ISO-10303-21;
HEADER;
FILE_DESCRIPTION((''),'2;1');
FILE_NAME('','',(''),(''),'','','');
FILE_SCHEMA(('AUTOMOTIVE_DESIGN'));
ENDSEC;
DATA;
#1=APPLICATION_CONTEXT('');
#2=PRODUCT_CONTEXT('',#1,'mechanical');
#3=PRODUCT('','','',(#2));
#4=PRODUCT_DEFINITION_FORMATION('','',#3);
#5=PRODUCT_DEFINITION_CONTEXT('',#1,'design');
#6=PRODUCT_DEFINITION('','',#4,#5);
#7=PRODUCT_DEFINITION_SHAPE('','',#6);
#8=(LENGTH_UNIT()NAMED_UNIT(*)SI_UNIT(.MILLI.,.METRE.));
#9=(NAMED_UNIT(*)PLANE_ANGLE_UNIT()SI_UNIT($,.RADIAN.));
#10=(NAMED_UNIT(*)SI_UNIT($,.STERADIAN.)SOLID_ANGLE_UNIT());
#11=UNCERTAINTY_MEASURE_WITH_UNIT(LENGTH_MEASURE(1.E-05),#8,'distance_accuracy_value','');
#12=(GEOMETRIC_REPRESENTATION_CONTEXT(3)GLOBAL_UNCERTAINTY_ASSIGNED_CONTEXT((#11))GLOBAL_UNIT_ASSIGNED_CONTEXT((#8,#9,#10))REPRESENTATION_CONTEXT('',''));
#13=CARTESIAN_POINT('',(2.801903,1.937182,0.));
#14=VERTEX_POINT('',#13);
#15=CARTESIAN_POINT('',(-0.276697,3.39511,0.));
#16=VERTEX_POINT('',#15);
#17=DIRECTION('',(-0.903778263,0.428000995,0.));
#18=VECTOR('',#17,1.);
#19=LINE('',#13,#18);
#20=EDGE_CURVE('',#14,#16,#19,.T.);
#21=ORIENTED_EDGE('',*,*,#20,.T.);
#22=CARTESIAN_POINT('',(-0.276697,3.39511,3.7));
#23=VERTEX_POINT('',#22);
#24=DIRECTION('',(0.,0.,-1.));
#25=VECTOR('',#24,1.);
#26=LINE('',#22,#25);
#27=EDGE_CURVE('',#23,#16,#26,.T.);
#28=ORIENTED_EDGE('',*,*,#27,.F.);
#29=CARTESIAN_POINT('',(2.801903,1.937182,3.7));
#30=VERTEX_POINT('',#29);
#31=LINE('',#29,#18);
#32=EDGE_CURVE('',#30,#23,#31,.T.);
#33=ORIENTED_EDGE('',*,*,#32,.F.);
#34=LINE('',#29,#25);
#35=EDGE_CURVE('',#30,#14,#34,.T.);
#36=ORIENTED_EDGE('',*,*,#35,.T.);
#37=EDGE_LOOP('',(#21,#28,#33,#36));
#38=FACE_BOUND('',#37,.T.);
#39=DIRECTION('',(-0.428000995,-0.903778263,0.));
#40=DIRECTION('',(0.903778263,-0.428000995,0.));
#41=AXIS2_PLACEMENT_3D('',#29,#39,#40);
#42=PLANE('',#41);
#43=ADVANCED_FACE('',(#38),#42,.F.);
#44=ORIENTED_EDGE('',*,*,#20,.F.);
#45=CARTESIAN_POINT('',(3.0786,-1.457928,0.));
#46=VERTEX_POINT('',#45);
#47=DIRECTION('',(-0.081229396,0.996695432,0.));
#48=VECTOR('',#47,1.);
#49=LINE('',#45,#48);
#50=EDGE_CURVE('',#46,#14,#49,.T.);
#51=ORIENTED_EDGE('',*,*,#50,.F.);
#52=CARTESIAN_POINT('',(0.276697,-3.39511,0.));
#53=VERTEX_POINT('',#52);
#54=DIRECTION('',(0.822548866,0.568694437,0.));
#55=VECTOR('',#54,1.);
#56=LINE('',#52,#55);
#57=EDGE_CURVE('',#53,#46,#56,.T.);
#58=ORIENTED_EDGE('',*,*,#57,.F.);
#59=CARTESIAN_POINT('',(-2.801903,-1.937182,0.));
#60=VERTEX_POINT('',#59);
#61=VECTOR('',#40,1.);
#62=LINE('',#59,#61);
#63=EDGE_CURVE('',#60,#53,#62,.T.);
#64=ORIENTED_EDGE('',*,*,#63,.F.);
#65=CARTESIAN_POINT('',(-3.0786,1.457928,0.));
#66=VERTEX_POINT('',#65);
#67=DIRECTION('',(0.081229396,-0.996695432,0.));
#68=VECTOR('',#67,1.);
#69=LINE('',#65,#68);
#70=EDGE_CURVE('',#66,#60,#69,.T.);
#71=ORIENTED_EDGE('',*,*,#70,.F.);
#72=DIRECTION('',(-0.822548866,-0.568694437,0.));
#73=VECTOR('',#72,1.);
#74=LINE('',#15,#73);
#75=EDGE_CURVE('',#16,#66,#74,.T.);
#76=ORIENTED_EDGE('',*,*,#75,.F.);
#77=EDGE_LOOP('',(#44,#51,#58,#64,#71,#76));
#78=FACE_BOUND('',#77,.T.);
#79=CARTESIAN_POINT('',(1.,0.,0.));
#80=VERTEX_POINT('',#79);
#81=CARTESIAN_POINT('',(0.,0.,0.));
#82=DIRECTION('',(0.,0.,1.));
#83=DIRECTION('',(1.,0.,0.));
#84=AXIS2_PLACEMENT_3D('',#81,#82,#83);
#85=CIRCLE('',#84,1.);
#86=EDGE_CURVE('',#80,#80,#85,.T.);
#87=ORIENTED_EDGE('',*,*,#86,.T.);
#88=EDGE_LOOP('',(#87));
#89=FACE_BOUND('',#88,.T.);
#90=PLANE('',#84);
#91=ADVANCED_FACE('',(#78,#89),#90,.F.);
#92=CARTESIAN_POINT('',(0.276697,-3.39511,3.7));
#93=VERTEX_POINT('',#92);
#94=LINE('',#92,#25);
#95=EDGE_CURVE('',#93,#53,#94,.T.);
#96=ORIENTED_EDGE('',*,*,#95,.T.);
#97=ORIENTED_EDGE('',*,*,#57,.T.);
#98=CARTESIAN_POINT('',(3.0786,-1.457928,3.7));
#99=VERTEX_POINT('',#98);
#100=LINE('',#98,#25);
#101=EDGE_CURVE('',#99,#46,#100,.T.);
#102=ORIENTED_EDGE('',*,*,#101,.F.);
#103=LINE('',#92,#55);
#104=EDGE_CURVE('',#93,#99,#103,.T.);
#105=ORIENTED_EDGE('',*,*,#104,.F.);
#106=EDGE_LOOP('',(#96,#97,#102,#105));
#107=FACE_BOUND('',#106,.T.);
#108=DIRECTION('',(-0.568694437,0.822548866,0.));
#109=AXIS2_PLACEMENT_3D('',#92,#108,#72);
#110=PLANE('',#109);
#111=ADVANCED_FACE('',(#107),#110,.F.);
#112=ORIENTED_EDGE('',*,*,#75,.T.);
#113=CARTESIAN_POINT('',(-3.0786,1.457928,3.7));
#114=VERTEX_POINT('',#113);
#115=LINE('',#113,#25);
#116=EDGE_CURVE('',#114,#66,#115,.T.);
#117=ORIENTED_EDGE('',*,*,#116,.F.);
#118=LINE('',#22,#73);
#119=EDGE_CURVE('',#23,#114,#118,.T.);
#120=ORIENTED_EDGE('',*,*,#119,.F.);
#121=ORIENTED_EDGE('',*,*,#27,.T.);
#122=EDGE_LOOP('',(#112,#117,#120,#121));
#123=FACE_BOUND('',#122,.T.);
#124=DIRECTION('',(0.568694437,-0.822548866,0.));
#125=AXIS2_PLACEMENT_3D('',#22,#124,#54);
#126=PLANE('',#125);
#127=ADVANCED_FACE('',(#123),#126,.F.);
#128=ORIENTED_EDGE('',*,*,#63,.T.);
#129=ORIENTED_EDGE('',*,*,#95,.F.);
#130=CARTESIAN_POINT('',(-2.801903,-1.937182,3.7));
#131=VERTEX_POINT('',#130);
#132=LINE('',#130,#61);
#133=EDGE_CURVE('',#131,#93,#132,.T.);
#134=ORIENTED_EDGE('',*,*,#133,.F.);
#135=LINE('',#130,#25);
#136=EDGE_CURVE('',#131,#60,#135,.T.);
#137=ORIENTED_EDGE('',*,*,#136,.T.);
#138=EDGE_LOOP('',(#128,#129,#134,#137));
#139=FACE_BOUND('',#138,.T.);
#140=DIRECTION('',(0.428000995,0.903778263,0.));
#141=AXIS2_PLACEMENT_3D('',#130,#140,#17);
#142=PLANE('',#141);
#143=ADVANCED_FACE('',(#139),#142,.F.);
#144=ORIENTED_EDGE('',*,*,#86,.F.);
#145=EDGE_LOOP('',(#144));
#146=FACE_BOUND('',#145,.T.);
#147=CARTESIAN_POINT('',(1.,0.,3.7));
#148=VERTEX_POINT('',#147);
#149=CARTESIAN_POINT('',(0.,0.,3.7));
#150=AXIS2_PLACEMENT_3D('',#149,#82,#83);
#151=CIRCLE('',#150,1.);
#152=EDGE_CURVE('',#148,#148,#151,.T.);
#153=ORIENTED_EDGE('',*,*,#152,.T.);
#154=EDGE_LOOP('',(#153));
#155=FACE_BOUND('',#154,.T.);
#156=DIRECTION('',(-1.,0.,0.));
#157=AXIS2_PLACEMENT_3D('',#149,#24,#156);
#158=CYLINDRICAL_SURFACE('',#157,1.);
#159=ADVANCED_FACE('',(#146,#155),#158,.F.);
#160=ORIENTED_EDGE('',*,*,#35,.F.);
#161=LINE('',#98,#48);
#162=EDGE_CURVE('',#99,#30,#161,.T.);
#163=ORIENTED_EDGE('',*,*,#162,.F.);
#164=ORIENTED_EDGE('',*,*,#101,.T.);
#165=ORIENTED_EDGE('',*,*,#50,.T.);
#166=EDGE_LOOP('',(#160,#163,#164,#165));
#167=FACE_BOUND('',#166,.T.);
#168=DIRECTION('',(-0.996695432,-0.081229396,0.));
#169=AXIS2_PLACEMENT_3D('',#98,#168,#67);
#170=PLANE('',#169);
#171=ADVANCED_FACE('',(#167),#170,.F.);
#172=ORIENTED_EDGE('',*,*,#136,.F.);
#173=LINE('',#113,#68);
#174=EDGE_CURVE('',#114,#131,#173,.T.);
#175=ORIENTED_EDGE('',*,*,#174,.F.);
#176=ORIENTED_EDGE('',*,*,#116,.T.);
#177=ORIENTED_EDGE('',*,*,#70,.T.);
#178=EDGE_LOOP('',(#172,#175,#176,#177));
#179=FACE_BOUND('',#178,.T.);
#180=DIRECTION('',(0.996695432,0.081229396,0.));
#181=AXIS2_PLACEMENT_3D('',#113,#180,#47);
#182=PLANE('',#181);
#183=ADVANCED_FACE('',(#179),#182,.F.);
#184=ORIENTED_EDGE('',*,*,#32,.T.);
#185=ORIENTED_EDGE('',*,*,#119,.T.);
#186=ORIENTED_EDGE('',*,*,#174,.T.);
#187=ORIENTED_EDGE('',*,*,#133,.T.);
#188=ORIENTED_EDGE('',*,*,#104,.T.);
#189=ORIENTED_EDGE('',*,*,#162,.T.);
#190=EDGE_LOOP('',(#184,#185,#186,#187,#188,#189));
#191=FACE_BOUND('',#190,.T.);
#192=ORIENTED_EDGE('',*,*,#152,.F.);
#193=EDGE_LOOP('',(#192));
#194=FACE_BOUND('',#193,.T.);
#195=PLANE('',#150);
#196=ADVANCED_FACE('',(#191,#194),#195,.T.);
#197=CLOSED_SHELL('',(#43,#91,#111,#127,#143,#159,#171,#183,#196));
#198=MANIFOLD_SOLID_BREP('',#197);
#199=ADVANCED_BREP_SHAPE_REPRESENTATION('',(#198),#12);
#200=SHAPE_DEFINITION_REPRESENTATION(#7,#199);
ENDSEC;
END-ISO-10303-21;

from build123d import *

# Parameters (mm, degrees)
ESQUISSE1_R        = 1
BOSS_EXTRU_1_DEPTH = 3.7


with BuildPart() as part:
    # Esquisse1 → Boss.-Extru.1 (new body)
    with BuildSketch(Plane.XY):
        Polygon((-0.276697102, 3.39511002), (-3.078600077, 1.45792829), (-2.801902975, -1.937181729), (0.276697102, -3.39511002), (3.078600077, -1.45792829), (2.801902975, 1.937181729), align=None)
        Circle(ESQUISSE1_R, mode=Mode.SUBTRACT)
    extrude(amount=BOSS_EXTRU_1_DEPTH)


solid = part.part
